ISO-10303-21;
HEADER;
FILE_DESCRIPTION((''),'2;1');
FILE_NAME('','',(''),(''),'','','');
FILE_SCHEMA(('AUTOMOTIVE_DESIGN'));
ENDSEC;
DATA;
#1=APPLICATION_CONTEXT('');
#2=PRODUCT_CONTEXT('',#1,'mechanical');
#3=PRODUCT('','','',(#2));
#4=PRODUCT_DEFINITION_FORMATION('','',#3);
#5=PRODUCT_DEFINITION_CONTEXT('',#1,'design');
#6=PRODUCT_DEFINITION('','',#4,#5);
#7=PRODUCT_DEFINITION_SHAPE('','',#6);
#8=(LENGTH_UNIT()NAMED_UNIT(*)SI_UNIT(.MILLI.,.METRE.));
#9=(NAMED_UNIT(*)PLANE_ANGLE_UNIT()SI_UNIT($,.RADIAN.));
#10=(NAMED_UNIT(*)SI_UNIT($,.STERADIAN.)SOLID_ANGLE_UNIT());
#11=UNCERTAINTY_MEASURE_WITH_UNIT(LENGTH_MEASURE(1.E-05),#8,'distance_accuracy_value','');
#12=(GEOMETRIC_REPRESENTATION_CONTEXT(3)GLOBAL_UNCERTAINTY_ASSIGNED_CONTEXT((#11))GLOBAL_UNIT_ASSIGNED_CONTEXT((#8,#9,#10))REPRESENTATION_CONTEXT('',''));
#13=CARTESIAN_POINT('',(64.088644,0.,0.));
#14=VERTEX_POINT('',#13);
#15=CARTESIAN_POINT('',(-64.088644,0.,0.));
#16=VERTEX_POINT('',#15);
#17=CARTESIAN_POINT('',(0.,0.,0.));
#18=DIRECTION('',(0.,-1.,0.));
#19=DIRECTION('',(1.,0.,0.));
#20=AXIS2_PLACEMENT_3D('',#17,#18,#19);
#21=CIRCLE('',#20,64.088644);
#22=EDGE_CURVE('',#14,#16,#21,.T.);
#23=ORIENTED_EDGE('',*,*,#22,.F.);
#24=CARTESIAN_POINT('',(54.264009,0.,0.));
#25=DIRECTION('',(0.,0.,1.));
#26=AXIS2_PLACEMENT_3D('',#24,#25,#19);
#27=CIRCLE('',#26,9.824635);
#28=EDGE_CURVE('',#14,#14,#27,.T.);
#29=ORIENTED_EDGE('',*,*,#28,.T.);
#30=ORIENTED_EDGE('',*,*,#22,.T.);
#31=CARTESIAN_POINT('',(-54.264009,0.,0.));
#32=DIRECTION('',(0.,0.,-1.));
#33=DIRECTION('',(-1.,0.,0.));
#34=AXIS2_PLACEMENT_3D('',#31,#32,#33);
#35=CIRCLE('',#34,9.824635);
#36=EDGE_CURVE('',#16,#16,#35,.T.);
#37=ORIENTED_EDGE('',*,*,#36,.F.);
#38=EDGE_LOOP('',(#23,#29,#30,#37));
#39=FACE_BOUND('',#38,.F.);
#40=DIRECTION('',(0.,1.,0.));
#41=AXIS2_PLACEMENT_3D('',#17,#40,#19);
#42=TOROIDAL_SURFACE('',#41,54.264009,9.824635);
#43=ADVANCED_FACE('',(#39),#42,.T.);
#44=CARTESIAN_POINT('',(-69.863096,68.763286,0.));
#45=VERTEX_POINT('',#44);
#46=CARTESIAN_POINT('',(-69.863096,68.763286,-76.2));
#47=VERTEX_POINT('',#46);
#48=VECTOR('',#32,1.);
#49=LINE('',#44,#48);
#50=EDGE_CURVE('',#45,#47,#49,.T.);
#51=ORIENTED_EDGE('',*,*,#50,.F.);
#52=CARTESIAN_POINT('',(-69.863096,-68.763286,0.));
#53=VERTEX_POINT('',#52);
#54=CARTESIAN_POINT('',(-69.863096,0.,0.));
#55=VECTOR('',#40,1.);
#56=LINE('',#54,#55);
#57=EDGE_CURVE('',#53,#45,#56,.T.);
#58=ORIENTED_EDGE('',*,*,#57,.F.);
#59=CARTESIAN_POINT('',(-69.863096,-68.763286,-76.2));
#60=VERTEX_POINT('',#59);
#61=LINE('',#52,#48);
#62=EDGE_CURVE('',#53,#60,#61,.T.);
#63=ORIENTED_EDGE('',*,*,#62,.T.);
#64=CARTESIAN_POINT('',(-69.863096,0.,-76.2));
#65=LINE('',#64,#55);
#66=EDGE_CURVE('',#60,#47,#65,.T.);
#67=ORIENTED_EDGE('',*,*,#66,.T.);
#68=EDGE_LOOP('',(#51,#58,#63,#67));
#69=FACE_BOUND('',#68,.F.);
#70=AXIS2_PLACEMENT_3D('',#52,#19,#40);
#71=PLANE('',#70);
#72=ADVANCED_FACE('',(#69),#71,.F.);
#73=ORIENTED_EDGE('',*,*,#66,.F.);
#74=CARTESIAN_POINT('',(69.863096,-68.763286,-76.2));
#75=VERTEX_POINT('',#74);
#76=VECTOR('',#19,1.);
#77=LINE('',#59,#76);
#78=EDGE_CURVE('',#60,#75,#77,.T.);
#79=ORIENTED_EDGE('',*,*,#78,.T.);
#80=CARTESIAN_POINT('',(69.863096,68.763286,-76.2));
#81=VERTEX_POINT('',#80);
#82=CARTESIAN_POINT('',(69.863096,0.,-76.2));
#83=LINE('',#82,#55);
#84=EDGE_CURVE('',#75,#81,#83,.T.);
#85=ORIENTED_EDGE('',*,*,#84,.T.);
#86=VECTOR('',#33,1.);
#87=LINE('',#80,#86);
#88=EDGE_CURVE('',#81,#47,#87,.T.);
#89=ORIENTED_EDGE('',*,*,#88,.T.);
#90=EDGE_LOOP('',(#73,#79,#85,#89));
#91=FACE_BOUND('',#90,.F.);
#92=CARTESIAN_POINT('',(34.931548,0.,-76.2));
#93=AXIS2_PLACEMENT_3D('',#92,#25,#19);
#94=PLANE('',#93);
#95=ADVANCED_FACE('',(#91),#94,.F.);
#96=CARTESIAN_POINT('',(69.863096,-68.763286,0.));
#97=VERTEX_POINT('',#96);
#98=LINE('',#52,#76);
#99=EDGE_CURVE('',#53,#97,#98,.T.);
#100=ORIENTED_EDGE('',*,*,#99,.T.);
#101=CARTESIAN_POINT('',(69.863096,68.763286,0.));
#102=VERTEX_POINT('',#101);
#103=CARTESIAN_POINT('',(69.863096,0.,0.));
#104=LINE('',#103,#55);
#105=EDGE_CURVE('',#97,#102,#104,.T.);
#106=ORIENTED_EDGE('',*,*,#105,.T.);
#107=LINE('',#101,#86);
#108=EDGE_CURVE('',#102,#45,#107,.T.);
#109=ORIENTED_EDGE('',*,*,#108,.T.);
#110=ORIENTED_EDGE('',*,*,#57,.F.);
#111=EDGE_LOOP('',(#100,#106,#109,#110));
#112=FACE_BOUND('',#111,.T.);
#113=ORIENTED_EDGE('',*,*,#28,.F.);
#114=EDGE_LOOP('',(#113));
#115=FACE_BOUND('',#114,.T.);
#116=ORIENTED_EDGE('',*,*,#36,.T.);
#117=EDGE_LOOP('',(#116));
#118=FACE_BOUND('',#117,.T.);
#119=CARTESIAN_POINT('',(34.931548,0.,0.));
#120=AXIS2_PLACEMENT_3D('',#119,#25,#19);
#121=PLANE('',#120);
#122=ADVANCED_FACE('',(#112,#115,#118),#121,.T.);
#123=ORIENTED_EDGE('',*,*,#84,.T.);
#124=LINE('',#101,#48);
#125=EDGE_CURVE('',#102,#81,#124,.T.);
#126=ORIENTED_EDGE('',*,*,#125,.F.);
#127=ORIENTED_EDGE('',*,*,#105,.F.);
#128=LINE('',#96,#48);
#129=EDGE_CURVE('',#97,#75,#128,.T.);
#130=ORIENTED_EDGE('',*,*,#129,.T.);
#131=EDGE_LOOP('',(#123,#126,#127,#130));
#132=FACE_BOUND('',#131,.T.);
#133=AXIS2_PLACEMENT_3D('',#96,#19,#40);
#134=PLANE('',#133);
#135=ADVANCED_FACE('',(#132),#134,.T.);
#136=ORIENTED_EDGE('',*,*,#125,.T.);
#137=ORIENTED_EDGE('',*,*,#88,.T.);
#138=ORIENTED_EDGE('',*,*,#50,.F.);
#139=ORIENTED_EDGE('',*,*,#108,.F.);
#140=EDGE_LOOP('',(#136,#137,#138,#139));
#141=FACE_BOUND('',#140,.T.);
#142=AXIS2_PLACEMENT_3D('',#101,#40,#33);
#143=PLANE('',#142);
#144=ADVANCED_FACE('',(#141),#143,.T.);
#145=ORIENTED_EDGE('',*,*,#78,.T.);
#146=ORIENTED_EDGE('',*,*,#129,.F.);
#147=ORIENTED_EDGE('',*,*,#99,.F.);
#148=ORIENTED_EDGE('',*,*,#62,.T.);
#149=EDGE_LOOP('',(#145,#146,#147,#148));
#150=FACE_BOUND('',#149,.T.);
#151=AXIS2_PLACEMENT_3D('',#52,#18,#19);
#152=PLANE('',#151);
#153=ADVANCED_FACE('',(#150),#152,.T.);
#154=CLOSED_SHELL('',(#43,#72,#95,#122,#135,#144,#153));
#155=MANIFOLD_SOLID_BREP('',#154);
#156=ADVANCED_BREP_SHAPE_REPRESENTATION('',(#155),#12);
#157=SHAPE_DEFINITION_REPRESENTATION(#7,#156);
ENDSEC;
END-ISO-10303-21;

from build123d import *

# Parameters (mm, degrees)
F0_W     = 69.863096
F0_H     = 137.526572
F2_DEPTH = 76.2
F1_R     = 9.824635
F3_ANGLE = 180


with BuildPart() as f2:
    # F0 (on Top) → F2 (new body)
    with BuildSketch(Plane.XY):
        with Locations((34.931548, 0)):
            Rectangle(F0_W, F0_H)
        with Locations((-34.931548, 0)):
            Rectangle(F0_W, F0_H)
    extrude(amount=-F2_DEPTH)

    # F1 (on Top) → F3 (revolve)
    with BuildSketch(Plane.XY):
        with Locations((54.264009, 0)):
            Circle(F1_R)
    revolve(axis=Axis((0, 0, 0), (0, -1, 0)), revolution_arc=F3_ANGLE)


solid = f2.part
